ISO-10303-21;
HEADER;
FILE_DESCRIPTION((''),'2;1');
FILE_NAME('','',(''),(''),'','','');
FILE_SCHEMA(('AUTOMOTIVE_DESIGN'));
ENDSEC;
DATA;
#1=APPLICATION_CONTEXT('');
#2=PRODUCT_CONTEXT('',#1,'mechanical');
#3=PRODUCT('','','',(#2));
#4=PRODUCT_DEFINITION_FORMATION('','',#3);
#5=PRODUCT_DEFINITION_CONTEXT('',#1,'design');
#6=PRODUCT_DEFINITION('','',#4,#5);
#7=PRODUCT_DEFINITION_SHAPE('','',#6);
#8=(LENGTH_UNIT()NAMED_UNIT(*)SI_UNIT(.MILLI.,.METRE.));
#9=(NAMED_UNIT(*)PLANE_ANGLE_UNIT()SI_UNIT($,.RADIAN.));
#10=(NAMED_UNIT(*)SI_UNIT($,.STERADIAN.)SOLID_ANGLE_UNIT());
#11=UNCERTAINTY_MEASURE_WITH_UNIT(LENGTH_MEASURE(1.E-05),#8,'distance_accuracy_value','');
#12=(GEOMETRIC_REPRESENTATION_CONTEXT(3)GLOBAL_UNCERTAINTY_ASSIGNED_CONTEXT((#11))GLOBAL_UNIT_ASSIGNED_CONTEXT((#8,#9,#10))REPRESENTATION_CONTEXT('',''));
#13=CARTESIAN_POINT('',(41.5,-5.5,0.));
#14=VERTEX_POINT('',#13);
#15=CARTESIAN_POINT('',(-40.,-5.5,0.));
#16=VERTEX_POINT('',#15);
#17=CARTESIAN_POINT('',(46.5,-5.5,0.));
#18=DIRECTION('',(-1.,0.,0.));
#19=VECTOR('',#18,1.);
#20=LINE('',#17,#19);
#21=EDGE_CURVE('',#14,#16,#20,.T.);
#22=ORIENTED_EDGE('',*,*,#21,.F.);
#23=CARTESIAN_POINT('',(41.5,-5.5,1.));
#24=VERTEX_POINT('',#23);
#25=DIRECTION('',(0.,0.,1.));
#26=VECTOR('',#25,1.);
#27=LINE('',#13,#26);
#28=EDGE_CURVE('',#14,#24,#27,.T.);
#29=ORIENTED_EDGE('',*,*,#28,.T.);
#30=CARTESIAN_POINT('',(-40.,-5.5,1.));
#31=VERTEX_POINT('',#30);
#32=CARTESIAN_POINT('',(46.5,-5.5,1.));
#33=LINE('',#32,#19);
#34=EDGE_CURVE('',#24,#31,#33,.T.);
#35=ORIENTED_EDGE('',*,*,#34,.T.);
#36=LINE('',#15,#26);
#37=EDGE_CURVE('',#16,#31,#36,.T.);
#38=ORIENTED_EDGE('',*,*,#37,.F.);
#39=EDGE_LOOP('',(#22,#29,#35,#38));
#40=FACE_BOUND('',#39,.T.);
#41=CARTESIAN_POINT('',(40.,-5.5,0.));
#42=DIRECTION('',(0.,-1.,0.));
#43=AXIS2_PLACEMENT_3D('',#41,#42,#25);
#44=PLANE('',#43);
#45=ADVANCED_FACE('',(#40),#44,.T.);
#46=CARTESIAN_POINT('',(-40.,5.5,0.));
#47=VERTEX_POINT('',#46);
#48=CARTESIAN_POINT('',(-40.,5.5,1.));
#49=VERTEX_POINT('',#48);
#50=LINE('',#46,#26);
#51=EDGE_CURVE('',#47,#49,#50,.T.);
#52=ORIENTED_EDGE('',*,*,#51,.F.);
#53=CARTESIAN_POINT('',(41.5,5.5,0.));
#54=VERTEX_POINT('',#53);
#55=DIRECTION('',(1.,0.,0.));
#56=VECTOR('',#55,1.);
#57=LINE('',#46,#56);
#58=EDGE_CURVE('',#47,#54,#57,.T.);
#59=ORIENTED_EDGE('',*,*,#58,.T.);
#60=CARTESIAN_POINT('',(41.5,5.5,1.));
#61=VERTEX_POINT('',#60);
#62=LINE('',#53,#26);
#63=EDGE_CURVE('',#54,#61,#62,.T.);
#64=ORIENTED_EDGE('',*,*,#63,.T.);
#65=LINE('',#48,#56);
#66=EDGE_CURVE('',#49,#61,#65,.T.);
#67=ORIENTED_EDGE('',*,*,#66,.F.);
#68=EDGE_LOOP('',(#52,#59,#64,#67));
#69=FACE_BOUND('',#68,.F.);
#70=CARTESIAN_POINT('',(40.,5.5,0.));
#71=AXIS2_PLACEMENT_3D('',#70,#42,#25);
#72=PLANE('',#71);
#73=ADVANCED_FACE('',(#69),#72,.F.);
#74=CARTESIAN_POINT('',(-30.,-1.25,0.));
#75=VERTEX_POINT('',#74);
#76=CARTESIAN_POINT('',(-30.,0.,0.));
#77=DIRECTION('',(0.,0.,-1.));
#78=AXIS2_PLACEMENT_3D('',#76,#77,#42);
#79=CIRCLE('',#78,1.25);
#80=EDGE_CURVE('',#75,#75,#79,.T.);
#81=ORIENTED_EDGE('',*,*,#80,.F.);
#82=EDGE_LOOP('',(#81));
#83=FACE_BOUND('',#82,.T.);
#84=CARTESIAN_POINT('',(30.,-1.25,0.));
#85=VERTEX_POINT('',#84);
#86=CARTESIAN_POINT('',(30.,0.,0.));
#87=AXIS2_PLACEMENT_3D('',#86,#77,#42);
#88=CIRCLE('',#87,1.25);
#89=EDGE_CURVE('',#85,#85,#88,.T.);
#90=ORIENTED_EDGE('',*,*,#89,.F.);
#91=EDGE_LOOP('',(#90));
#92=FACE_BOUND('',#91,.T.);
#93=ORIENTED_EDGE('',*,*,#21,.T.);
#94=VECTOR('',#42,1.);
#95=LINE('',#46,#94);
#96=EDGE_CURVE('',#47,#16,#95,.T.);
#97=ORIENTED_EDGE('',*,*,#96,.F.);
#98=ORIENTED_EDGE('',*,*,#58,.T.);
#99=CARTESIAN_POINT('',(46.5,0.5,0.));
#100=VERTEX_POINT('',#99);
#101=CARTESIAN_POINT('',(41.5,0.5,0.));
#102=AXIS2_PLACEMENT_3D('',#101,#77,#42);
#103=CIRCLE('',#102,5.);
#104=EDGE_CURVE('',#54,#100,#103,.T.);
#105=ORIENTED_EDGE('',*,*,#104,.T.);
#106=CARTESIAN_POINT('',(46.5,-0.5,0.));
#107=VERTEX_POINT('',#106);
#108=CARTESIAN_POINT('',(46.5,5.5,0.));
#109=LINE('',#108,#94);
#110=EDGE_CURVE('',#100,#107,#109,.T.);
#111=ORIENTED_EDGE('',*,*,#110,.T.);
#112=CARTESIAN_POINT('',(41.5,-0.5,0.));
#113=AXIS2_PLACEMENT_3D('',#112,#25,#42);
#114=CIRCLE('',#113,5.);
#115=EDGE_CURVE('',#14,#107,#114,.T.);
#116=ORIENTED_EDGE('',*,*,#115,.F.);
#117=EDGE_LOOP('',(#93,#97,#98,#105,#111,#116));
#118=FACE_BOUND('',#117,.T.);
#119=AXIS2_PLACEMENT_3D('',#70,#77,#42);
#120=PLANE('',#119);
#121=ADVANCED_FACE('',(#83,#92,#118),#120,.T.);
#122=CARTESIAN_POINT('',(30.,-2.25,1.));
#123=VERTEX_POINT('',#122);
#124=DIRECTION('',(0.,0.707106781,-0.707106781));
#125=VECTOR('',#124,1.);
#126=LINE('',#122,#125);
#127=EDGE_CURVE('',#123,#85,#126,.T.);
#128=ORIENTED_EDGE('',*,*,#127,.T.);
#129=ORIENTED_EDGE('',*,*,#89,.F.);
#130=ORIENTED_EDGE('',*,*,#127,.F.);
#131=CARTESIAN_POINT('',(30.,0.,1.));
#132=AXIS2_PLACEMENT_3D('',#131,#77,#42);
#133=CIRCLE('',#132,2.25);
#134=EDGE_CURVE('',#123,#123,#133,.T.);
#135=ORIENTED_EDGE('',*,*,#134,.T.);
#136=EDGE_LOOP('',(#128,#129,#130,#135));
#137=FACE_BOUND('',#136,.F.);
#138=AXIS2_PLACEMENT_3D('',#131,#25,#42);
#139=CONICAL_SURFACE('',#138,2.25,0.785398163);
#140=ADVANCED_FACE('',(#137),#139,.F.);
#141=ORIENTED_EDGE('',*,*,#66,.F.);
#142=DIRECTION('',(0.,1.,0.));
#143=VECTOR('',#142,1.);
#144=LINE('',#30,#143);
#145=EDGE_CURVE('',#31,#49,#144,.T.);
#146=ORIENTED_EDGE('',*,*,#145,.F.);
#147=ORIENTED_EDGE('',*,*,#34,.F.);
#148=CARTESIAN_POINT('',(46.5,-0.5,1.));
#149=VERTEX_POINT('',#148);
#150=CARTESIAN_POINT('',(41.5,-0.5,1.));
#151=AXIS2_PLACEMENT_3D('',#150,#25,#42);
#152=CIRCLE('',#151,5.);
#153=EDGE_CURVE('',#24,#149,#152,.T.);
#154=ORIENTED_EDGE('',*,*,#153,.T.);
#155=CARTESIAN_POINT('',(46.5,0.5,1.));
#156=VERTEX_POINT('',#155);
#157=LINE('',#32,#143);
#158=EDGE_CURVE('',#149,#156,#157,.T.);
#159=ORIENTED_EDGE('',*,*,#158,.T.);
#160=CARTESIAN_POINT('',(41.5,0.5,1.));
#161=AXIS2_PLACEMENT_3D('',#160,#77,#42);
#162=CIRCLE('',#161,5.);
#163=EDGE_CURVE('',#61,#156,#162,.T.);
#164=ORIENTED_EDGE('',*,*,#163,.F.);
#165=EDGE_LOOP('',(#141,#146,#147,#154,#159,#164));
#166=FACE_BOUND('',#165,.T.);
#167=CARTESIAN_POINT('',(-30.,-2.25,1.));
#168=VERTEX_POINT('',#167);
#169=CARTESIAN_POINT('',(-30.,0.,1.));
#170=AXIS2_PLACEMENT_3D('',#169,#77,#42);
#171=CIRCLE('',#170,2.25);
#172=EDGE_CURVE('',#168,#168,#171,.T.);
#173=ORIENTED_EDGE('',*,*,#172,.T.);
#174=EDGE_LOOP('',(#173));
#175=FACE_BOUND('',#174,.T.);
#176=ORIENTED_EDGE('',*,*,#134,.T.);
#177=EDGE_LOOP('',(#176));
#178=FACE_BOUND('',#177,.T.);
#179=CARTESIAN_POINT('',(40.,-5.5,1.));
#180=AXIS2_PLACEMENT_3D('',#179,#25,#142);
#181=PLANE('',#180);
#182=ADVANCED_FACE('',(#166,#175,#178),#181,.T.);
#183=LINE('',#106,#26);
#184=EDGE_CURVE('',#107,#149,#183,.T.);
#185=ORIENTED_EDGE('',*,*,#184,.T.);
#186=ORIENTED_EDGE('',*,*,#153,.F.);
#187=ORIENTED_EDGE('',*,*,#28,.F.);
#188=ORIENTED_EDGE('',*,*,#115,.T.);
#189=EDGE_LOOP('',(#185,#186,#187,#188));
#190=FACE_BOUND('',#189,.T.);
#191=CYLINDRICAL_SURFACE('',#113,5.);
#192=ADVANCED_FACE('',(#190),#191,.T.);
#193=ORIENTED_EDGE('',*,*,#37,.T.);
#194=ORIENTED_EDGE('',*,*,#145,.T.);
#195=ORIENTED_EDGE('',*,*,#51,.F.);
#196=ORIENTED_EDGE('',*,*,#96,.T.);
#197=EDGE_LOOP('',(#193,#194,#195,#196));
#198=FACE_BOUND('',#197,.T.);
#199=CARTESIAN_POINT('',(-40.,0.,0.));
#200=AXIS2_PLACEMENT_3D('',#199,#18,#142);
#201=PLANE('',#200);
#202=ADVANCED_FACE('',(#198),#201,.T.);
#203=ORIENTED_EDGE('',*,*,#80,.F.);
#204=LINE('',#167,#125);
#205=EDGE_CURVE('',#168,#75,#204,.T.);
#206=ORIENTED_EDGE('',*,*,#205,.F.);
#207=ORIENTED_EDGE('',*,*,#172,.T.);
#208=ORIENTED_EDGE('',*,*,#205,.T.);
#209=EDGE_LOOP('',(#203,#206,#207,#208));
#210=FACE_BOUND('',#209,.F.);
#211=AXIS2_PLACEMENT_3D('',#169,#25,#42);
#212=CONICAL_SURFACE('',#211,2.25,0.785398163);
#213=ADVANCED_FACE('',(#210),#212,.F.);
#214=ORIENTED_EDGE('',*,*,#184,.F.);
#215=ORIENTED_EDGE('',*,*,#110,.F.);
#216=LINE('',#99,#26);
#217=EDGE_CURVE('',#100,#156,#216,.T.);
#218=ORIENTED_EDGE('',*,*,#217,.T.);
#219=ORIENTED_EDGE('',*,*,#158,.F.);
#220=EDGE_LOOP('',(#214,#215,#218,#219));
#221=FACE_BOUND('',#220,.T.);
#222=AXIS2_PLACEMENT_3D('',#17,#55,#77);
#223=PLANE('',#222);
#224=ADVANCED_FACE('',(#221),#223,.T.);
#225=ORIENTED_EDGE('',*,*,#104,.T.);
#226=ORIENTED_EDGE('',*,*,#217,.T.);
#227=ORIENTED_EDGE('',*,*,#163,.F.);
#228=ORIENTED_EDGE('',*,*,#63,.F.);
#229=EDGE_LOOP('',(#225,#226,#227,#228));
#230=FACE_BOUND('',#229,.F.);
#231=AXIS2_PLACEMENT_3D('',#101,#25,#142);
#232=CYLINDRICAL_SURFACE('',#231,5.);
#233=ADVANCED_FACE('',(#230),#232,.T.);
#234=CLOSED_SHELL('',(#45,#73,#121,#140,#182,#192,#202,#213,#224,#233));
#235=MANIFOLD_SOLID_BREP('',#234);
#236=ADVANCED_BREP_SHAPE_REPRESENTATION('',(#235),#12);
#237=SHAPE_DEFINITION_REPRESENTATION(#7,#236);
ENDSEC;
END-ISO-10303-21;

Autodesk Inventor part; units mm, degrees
ref_plane "YZ Plane" through (0, 0, 0) normal (1, 0, 0) x (0, 1, 0)
ref_plane "XZ Plane" through (0, 0, 0) normal (0, 1, 0) x (-1, 0, 0)
ref_plane "XY Plane" through (0, 0, 0) normal (0, 0, 1) x (1, 0, 0)
sketch "Skizze1" plane through (0, 0, 0) normal (0, 0, 1) x (1, 0, 0)
  line L0 (-56, 0) -> (56, 0) projected
  line L1 (0, -7.7) -> (0, 7.7) projected
  line L2 (-40, 5.5) -> (40, 5.5)
  line L3 (40, 5.5) -> (40, -5.5)
  line L4 (40, -5.5) -> (-40, -5.5)
  line L5 (-40, -5.5) -> (-40, 5.5)
  point P0 (0, 0)
  dimension "d0" = 11
  dimension "d1" = 80
extrude "Extrusion1" add sketch "Skizze1" along normal blind 1
sketch "Skizze2" plane through (0, 0, 1) normal (0, 0, 1) x (1, 0, 0)
  line L0 (-140, 0) -> (140, 0) projected
  line L1 (0, -7.7) -> (0, 7.7) projected
  point P0 (0, 0)
  point P1 (-30, 0)
  point P2 (30, 0)
  dimension "d4" = 60
hole "Bohrung1" at (-30, 0, 1) at (30, 0, 1) direction (0, 0, -1) diameter 2.4 end through all countersink diameter 4.5 countersink angle 90
sketch "Skizze3" plane through (40, -5.5, 0) normal (1, 0, 0) x (0, 0, -1)
  line L0 (0, 11) -> (0, 0) projected
  line L1 (0, 11) -> (-1, 11) projected
  line L2 (-1, 0) -> (-1, 11) projected
  line L3 (0, 0) -> (-1, 0) projected
  point P0 (0, 5.5)
extrude "Extrusion2" add sketch "Skizze3" along normal blind 6.5
fillet "Rundung1" radius 5 2 edges at (46.5, -5.5, 0.5) (46.5, 5.5, 0.5)
properties part number "13_1087_041"
